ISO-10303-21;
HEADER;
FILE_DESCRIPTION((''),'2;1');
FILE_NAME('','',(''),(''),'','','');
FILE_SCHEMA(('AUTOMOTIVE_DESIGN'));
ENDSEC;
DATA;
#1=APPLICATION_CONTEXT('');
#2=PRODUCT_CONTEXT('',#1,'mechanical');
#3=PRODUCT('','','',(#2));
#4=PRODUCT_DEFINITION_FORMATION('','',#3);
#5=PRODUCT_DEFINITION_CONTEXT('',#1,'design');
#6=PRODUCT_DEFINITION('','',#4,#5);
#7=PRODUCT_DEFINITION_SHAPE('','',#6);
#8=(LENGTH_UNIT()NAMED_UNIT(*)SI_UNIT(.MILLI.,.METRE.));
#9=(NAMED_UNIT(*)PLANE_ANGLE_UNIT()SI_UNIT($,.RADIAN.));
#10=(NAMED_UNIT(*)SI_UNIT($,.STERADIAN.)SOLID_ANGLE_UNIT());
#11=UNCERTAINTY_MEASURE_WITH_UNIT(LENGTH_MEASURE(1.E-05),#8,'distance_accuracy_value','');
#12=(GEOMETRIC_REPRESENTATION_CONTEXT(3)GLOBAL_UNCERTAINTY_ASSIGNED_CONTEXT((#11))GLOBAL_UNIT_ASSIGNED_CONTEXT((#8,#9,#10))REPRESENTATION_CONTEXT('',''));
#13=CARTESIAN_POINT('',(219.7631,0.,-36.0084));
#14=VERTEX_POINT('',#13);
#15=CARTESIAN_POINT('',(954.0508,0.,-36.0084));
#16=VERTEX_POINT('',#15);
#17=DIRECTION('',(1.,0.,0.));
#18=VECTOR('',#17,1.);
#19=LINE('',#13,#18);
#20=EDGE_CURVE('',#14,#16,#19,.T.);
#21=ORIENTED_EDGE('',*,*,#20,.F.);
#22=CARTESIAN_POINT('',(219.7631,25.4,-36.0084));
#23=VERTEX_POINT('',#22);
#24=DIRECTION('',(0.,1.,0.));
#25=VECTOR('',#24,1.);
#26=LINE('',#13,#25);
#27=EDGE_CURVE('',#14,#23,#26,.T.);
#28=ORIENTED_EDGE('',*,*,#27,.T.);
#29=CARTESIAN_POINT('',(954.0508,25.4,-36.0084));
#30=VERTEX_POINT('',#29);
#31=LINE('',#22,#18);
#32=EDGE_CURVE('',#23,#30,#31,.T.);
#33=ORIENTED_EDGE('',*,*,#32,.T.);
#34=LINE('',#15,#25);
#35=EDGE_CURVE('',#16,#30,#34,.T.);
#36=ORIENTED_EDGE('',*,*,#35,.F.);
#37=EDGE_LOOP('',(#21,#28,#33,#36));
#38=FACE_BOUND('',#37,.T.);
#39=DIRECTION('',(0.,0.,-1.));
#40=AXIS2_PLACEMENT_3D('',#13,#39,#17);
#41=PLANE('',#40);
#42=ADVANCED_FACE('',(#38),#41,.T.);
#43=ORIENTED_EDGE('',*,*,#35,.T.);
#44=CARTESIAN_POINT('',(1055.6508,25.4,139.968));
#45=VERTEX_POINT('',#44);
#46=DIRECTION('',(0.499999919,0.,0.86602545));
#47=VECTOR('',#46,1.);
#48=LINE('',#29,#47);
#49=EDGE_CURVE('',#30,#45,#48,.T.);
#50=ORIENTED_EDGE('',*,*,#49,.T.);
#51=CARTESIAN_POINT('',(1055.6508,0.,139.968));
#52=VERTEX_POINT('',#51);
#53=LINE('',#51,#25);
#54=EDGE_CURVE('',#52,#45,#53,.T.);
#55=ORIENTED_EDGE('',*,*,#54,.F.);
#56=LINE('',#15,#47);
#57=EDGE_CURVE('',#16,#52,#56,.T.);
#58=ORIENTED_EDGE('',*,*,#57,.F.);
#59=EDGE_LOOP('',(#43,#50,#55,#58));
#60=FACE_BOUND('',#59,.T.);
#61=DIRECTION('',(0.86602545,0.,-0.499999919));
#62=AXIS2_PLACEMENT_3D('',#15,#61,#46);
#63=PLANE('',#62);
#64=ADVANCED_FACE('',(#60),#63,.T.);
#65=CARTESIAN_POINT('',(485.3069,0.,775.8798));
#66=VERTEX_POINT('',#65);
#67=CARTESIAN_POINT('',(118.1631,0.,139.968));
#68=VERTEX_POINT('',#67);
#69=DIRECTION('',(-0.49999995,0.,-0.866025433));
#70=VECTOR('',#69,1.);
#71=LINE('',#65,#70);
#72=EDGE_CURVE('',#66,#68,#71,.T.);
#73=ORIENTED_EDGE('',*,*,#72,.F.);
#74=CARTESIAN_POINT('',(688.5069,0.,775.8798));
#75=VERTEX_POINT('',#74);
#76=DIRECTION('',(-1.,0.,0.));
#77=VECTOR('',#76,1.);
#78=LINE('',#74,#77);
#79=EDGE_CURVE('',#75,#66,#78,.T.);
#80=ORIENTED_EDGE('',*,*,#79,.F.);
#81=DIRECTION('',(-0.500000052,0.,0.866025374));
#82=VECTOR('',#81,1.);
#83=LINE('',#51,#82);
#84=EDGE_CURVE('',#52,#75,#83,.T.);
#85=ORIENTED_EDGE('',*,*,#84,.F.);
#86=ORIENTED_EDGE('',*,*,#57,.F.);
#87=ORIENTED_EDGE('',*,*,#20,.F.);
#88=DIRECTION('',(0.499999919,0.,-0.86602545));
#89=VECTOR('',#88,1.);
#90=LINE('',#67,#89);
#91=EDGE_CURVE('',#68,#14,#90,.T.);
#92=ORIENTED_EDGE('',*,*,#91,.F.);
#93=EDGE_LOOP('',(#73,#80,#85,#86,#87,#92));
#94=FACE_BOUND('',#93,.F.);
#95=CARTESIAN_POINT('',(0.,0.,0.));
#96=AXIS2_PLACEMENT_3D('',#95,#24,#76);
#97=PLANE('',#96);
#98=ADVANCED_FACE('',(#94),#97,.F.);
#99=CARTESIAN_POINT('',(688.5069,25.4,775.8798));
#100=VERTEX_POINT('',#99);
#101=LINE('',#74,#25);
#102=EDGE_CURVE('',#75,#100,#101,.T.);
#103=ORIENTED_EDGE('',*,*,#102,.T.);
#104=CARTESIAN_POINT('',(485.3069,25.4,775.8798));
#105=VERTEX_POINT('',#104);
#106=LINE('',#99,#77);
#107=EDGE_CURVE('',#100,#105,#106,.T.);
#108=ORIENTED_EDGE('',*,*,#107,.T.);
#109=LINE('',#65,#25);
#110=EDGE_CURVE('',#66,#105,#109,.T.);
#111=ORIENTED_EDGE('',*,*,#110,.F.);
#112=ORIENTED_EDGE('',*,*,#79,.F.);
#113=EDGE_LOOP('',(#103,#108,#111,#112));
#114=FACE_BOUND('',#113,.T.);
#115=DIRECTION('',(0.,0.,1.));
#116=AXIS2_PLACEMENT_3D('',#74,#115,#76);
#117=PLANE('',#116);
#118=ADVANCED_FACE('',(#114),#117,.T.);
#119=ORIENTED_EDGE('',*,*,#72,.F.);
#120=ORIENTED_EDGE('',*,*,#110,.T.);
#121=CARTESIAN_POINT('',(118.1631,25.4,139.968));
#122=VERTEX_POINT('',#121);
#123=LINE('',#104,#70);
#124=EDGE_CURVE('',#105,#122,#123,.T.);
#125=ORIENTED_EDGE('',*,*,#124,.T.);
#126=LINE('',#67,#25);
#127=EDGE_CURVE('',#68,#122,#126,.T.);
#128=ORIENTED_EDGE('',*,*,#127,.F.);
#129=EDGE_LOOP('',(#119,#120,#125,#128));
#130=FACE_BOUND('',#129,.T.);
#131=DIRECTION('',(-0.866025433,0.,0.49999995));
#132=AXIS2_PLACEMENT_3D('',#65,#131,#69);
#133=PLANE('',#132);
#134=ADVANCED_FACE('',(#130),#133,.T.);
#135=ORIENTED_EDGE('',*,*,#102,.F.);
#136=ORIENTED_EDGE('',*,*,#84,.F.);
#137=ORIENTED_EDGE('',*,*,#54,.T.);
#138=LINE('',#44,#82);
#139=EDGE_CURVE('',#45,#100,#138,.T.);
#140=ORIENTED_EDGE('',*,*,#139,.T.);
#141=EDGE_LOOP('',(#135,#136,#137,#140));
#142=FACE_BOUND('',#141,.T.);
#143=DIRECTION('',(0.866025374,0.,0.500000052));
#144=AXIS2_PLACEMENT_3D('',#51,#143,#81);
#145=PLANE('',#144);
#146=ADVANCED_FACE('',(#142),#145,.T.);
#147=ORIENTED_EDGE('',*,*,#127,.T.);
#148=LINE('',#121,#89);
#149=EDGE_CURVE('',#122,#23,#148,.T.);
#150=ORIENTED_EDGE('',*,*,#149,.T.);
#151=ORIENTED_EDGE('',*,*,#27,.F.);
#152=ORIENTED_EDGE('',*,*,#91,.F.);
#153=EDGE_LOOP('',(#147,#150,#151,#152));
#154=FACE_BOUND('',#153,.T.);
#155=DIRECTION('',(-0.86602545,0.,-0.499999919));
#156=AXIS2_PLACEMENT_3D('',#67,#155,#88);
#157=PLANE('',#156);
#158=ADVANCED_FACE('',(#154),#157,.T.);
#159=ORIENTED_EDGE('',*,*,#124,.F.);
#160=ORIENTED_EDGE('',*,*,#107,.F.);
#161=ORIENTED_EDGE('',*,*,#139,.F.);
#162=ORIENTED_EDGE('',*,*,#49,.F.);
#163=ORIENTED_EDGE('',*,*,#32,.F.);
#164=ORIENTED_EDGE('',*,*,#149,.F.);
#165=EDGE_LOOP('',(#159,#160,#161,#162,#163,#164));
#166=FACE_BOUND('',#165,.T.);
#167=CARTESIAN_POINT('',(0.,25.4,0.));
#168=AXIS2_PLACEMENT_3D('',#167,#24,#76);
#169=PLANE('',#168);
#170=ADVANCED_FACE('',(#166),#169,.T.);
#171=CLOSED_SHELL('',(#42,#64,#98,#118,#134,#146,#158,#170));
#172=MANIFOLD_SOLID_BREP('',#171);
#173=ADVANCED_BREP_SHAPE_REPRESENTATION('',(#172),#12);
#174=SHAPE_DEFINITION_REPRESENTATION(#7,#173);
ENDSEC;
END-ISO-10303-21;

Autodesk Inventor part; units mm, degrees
ref_plane "YZ Plane" through (0, 0, 0) normal (1, 0, 0) x (0, 1, 0)
ref_plane "XZ Plane" through (0, 0, 0) normal (0, 1, 0) x (-1, 0, 0)
ref_plane "XY Plane" through (0, 0, 0) normal (0, 0, 1) x (1, 0, 0)
sketch "Sketch1" plane through (0, 0, 0) normal (0, 1, 0) x (-1, 0, 0)
  line L0 (-219.7631, -36.0084) -> (-954.0508, -36.0084)
  line L1 (-954.0508, -36.0084) -> (-1055.6508, 139.968)
  line L2 (-1055.6508, 139.968) -> (-688.5069, 775.8798)
  line L3 (-688.5069, 775.8798) -> (-485.3069, 775.8798)
  line L4 (-485.3069, 775.8798) -> (-118.1631, 139.968)
  line L5 (-118.1631, 139.968) -> (-219.7631, -36.0084)
  line L6 (-586.9069, 775.8798) -> (-586.9069, 293.2798) construction
  line L7 (-1004.8508, 51.9798) -> (-586.9069, 293.2798) construction
  line L8 (-586.9069, 293.2798) -> (-168.9631, 51.9798) construction
  point P0 (0, 0)
  dimension "d8" = 203.2
  dimension "d9" = 120
  dimension "d10" = 120
  dimension "d13" = 203.2
  dimension "d17" = 203.2
  dimension "d21" = 482.6
  dimension "d22" = 120
  dimension "d23" = 120
  dimension "d24" = 482.6
  dimension "d25" = 482.6
  dimension "d26" = 734.2877
  dimension "d27" = 734.2877
  dimension "d28" = 734.2877
extrude "Extrusion1" add sketch "Sketch1" along normal blind 25.4
equation "\"d24\" = d21"
equation "\"d25\" = d21"
properties part number "Frame Perimeter"
